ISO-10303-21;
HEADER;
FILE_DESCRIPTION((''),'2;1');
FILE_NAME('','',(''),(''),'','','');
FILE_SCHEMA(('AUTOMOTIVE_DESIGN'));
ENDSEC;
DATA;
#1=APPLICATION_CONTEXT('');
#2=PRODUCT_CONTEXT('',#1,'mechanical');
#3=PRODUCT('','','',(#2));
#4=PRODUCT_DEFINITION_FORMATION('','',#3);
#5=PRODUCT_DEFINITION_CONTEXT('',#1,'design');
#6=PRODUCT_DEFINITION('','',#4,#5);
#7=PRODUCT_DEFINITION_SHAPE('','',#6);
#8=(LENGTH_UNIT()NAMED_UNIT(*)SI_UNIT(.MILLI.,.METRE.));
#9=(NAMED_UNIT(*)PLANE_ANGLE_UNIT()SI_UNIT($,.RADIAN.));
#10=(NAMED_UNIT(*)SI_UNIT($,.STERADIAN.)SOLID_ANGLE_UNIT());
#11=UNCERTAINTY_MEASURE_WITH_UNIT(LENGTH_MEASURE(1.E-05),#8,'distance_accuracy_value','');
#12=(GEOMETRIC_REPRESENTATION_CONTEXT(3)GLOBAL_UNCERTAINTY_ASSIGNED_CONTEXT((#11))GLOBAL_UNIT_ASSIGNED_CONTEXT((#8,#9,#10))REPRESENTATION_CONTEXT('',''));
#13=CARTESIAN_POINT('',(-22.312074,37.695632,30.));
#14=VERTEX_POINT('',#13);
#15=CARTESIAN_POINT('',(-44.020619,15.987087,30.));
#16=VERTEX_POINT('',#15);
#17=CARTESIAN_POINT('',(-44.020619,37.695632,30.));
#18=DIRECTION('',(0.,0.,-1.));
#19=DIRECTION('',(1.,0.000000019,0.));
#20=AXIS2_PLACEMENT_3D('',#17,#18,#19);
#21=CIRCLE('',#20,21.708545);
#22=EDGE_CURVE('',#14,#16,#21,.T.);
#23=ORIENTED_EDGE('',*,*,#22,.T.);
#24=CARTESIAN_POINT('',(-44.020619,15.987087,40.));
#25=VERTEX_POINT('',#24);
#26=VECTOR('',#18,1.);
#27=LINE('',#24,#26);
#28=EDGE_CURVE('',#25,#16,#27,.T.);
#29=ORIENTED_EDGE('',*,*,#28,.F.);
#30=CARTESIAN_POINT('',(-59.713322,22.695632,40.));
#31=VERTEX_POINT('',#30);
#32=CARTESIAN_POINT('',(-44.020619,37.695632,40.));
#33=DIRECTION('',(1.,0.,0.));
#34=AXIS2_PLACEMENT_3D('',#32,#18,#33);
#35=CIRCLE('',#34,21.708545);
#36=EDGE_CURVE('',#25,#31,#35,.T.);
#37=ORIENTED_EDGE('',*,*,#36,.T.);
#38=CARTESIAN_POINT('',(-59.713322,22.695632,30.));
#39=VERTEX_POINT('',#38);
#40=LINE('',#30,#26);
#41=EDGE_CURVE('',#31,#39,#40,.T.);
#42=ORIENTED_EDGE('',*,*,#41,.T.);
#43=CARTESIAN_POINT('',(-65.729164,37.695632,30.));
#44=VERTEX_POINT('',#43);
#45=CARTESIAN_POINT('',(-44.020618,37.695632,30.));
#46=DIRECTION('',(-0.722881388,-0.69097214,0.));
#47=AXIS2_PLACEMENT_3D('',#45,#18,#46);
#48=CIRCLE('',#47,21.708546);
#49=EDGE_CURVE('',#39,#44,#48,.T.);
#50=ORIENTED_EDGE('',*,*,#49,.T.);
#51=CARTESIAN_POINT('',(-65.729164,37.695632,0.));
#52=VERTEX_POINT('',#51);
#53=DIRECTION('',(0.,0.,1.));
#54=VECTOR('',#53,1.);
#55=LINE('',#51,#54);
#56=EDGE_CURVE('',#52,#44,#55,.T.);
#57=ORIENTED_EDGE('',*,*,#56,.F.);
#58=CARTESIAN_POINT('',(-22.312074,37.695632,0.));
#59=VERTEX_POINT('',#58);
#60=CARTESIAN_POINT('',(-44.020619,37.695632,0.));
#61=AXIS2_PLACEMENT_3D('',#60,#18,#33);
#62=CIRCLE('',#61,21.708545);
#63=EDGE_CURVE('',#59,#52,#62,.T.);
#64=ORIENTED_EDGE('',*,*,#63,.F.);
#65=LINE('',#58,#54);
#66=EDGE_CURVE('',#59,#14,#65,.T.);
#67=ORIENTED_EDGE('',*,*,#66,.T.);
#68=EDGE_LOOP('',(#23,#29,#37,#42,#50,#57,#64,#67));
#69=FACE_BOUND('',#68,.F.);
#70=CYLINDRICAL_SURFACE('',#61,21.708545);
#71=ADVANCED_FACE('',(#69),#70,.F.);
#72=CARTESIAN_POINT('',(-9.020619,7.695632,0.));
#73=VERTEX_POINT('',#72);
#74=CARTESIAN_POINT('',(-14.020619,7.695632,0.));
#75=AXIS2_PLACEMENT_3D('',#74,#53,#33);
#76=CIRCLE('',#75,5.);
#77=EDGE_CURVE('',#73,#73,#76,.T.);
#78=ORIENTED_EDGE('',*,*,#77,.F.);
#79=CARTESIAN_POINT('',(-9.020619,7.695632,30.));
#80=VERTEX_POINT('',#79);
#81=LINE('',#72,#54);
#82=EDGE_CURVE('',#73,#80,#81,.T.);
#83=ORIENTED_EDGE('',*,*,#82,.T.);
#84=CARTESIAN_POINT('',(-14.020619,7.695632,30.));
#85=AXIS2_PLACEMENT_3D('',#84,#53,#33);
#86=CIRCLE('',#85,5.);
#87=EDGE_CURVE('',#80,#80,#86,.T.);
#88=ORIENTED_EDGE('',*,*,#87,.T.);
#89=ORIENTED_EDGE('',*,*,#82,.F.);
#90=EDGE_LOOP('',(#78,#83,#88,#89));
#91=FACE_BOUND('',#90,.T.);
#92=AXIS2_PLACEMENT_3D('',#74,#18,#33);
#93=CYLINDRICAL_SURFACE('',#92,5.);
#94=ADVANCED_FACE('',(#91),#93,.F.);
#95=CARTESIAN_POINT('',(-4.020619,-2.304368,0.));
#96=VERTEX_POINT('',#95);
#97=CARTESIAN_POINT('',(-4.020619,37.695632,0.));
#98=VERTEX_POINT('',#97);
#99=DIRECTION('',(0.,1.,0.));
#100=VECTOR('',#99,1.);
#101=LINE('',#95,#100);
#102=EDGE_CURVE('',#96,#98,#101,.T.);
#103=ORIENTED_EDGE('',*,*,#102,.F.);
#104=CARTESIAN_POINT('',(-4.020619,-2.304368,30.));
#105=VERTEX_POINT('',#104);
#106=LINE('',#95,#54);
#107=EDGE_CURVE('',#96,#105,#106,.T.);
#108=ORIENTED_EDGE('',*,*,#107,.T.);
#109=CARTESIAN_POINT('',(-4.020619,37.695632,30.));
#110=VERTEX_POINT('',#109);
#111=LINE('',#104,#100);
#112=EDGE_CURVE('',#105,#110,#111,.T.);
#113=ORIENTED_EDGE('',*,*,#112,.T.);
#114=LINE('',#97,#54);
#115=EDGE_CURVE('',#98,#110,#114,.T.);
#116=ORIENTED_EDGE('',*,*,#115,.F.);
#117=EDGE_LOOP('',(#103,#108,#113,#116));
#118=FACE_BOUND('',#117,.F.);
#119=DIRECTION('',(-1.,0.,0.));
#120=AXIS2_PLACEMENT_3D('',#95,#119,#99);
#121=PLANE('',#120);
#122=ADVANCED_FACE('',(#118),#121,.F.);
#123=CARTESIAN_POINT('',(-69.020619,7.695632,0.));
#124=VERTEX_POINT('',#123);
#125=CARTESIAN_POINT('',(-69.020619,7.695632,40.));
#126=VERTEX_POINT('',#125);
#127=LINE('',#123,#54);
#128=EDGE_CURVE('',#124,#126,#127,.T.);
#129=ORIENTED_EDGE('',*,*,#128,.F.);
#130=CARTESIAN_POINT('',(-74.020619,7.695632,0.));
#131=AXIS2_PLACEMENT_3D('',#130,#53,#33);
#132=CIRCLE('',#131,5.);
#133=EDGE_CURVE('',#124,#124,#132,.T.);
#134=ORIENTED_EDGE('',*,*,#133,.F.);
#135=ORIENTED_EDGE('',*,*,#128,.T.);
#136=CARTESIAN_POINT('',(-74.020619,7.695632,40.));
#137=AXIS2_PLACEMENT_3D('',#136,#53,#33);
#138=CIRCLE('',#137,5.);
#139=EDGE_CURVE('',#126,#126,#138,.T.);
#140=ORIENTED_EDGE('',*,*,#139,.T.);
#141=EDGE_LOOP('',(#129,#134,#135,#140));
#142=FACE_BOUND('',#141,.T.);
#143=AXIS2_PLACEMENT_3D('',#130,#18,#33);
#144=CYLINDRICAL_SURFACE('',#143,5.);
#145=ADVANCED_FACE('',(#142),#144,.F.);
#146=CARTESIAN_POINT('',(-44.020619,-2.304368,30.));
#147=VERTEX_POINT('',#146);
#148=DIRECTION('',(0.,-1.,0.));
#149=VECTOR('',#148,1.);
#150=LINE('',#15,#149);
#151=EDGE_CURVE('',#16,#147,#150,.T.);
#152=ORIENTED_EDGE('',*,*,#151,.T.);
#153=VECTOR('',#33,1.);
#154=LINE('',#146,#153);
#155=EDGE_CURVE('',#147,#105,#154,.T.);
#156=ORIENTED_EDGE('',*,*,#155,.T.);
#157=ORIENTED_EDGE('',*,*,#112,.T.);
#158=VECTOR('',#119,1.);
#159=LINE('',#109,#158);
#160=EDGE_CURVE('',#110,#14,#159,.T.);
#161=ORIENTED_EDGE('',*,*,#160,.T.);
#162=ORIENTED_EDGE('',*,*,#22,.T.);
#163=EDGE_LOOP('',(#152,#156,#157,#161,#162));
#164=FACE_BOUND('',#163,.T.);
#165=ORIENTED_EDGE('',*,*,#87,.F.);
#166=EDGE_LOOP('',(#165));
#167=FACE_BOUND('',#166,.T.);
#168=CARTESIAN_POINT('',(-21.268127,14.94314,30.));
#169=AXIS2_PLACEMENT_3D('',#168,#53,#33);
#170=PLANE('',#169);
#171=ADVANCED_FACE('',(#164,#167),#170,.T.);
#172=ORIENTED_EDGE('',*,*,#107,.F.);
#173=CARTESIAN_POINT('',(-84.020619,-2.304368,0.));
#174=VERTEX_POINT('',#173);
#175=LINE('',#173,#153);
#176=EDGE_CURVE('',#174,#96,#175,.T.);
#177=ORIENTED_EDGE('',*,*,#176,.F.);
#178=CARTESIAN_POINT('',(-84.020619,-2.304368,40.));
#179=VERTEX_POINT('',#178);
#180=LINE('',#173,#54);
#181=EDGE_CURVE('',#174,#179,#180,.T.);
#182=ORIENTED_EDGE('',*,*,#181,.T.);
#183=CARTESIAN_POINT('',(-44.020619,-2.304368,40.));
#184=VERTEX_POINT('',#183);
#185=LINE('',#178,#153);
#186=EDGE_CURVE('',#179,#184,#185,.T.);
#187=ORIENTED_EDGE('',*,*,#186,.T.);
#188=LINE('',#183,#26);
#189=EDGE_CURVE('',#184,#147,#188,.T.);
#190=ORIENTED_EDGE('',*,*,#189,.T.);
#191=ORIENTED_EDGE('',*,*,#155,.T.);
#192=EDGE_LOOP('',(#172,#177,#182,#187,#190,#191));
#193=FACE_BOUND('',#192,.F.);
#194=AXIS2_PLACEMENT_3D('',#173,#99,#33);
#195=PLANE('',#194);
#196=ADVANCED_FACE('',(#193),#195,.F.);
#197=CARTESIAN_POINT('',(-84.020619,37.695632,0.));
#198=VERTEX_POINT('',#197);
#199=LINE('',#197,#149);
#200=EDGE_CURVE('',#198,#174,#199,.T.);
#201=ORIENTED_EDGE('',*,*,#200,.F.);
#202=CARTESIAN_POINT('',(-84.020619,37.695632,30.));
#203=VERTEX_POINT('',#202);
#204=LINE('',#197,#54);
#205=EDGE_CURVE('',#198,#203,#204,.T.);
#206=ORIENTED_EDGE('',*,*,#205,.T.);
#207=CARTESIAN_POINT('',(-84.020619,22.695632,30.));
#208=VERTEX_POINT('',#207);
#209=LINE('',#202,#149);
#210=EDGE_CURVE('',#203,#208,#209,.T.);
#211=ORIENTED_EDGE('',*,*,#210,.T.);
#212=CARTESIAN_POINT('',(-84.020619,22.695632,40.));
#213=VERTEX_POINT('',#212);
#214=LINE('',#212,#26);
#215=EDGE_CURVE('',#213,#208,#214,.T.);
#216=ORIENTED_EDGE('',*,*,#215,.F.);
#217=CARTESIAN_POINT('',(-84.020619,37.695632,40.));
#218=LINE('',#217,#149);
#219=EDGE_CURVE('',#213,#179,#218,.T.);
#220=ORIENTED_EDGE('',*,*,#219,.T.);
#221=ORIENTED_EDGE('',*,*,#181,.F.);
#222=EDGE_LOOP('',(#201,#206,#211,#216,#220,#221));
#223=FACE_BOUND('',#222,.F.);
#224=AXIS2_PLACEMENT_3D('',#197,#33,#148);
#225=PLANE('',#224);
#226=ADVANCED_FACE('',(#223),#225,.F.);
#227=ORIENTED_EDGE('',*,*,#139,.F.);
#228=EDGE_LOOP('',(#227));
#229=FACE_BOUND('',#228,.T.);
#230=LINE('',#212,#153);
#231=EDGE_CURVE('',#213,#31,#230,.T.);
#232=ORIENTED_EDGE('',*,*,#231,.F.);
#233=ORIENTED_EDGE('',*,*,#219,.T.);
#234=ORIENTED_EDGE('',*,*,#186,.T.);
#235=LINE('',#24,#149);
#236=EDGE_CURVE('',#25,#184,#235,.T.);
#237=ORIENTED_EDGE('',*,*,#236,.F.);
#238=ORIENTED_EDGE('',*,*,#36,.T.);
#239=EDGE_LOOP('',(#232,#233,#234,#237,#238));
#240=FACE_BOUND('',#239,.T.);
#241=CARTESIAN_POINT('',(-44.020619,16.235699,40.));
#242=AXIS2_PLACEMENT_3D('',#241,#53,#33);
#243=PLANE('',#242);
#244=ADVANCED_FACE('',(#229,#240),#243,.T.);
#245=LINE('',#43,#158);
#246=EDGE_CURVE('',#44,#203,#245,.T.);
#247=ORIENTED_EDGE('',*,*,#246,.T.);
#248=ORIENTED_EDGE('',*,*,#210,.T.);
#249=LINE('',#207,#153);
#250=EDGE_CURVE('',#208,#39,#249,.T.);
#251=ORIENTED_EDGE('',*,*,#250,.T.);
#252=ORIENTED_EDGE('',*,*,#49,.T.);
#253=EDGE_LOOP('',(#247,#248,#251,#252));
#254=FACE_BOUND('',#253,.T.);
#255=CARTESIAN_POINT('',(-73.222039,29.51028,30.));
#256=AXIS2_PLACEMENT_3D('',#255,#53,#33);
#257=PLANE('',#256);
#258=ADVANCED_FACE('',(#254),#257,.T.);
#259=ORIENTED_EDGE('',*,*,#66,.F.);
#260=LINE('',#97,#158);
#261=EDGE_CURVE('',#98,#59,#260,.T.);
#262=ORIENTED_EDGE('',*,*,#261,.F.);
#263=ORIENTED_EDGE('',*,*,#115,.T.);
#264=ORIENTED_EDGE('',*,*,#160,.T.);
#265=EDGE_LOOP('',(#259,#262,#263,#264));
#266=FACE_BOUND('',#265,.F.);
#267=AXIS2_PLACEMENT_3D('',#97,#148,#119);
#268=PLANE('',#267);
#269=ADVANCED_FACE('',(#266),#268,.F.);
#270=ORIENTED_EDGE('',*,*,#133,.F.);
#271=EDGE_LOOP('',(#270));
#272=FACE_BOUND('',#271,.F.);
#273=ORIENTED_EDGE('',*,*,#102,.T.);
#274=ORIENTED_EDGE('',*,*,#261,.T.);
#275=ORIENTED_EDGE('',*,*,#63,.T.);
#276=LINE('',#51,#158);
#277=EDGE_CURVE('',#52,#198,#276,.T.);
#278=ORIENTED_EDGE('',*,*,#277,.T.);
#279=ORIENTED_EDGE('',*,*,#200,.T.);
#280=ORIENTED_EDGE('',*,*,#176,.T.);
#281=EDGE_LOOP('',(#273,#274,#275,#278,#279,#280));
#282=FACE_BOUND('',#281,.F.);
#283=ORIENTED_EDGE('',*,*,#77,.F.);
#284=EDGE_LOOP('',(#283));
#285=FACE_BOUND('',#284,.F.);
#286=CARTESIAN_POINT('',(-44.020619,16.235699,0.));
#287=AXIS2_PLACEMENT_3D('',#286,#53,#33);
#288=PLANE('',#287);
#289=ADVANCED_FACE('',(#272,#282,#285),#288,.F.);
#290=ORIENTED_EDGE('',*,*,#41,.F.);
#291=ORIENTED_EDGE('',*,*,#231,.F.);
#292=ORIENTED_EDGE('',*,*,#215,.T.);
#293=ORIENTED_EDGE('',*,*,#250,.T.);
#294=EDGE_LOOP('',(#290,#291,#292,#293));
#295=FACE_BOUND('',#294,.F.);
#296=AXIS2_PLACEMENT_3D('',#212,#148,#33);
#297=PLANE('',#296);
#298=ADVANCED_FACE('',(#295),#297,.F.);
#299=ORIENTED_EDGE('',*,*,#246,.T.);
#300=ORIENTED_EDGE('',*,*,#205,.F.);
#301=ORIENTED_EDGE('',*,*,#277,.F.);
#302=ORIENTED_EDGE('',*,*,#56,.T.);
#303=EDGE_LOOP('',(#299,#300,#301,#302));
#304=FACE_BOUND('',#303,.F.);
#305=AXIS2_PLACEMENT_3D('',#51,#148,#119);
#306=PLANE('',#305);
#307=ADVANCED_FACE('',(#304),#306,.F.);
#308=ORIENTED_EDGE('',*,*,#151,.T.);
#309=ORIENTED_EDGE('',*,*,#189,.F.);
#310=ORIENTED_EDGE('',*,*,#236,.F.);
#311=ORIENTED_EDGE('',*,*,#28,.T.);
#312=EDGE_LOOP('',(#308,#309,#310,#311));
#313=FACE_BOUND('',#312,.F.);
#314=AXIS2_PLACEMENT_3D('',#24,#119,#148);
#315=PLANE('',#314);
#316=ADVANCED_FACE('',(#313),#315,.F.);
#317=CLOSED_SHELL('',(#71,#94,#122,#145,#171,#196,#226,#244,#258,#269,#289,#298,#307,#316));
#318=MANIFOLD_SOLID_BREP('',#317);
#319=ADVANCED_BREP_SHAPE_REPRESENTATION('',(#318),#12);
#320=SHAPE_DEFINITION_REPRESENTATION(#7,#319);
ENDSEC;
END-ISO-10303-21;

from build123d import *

# Parameters (mm, degrees)
F0_R     = 5
F1_DEPTH = 40
F2_R     = 5
F3_DEPTH = 10


with BuildPart() as f1:
    # F0 (on Top) → F1 (new body)
    with BuildSketch(Plane.XY):
        with BuildLine():
            Line((-84.020619, -2.304368), (-4.020619, -2.304368))
            Line((-4.020619, -2.304368), (-4.020619, 37.695632))
            Line((-4.020619, 37.695632), (-22.312074, 37.695632))
            ThreePointArc((-22.312074, 37.695632), (-44.020619, 15.987087), (-65.729164, 37.695632))
            Line((-65.729164, 37.695632), (-84.020619, 37.695632))
            Line((-84.020619, 37.695632), (-84.020619, -2.304368))
        make_face()
        with Locations((-74.020619, 7.695632)):
            Circle(F0_R, mode=Mode.SUBTRACT)
        with Locations((-14.020619, 7.695632)):
            Circle(F0_R, mode=Mode.SUBTRACT)
    extrude(amount=F1_DEPTH)

    # F2 (on face) → F3 (cut)
    with BuildSketch(Plane.XY.offset(40)):
        with BuildLine():
            Line((-84.020619, 22.695632), (-59.713322, 22.695632))
            ThreePointArc((-59.713322, 22.695632), (-64.169151, 29.61494), (-65.729164, 37.695632))
            Line((-65.729164, 37.695632), (-84.020619, 37.695632))
            Line((-84.020619, 37.695632), (-84.020619, 22.695632))
        make_face()
        with BuildLine():
            ThreePointArc((-22.312074, 37.695632), (-28.67036, 22.345372), (-44.020619, 15.987087))
            Line((-44.020619, 15.987087), (-44.020619, -2.304368))
            Line((-44.020619, -2.304368), (-4.020619, -2.304368))
            Line((-4.020619, -2.304368), (-4.020619, 37.695632))
            Line((-4.020619, 37.695632), (-22.312074, 37.695632))
        make_face()
        with Locations((-14.020619, 7.695632)):
            Circle(F2_R, mode=Mode.SUBTRACT)
    extrude(amount=-F3_DEPTH, mode=Mode.SUBTRACT)


solid = f1.part
